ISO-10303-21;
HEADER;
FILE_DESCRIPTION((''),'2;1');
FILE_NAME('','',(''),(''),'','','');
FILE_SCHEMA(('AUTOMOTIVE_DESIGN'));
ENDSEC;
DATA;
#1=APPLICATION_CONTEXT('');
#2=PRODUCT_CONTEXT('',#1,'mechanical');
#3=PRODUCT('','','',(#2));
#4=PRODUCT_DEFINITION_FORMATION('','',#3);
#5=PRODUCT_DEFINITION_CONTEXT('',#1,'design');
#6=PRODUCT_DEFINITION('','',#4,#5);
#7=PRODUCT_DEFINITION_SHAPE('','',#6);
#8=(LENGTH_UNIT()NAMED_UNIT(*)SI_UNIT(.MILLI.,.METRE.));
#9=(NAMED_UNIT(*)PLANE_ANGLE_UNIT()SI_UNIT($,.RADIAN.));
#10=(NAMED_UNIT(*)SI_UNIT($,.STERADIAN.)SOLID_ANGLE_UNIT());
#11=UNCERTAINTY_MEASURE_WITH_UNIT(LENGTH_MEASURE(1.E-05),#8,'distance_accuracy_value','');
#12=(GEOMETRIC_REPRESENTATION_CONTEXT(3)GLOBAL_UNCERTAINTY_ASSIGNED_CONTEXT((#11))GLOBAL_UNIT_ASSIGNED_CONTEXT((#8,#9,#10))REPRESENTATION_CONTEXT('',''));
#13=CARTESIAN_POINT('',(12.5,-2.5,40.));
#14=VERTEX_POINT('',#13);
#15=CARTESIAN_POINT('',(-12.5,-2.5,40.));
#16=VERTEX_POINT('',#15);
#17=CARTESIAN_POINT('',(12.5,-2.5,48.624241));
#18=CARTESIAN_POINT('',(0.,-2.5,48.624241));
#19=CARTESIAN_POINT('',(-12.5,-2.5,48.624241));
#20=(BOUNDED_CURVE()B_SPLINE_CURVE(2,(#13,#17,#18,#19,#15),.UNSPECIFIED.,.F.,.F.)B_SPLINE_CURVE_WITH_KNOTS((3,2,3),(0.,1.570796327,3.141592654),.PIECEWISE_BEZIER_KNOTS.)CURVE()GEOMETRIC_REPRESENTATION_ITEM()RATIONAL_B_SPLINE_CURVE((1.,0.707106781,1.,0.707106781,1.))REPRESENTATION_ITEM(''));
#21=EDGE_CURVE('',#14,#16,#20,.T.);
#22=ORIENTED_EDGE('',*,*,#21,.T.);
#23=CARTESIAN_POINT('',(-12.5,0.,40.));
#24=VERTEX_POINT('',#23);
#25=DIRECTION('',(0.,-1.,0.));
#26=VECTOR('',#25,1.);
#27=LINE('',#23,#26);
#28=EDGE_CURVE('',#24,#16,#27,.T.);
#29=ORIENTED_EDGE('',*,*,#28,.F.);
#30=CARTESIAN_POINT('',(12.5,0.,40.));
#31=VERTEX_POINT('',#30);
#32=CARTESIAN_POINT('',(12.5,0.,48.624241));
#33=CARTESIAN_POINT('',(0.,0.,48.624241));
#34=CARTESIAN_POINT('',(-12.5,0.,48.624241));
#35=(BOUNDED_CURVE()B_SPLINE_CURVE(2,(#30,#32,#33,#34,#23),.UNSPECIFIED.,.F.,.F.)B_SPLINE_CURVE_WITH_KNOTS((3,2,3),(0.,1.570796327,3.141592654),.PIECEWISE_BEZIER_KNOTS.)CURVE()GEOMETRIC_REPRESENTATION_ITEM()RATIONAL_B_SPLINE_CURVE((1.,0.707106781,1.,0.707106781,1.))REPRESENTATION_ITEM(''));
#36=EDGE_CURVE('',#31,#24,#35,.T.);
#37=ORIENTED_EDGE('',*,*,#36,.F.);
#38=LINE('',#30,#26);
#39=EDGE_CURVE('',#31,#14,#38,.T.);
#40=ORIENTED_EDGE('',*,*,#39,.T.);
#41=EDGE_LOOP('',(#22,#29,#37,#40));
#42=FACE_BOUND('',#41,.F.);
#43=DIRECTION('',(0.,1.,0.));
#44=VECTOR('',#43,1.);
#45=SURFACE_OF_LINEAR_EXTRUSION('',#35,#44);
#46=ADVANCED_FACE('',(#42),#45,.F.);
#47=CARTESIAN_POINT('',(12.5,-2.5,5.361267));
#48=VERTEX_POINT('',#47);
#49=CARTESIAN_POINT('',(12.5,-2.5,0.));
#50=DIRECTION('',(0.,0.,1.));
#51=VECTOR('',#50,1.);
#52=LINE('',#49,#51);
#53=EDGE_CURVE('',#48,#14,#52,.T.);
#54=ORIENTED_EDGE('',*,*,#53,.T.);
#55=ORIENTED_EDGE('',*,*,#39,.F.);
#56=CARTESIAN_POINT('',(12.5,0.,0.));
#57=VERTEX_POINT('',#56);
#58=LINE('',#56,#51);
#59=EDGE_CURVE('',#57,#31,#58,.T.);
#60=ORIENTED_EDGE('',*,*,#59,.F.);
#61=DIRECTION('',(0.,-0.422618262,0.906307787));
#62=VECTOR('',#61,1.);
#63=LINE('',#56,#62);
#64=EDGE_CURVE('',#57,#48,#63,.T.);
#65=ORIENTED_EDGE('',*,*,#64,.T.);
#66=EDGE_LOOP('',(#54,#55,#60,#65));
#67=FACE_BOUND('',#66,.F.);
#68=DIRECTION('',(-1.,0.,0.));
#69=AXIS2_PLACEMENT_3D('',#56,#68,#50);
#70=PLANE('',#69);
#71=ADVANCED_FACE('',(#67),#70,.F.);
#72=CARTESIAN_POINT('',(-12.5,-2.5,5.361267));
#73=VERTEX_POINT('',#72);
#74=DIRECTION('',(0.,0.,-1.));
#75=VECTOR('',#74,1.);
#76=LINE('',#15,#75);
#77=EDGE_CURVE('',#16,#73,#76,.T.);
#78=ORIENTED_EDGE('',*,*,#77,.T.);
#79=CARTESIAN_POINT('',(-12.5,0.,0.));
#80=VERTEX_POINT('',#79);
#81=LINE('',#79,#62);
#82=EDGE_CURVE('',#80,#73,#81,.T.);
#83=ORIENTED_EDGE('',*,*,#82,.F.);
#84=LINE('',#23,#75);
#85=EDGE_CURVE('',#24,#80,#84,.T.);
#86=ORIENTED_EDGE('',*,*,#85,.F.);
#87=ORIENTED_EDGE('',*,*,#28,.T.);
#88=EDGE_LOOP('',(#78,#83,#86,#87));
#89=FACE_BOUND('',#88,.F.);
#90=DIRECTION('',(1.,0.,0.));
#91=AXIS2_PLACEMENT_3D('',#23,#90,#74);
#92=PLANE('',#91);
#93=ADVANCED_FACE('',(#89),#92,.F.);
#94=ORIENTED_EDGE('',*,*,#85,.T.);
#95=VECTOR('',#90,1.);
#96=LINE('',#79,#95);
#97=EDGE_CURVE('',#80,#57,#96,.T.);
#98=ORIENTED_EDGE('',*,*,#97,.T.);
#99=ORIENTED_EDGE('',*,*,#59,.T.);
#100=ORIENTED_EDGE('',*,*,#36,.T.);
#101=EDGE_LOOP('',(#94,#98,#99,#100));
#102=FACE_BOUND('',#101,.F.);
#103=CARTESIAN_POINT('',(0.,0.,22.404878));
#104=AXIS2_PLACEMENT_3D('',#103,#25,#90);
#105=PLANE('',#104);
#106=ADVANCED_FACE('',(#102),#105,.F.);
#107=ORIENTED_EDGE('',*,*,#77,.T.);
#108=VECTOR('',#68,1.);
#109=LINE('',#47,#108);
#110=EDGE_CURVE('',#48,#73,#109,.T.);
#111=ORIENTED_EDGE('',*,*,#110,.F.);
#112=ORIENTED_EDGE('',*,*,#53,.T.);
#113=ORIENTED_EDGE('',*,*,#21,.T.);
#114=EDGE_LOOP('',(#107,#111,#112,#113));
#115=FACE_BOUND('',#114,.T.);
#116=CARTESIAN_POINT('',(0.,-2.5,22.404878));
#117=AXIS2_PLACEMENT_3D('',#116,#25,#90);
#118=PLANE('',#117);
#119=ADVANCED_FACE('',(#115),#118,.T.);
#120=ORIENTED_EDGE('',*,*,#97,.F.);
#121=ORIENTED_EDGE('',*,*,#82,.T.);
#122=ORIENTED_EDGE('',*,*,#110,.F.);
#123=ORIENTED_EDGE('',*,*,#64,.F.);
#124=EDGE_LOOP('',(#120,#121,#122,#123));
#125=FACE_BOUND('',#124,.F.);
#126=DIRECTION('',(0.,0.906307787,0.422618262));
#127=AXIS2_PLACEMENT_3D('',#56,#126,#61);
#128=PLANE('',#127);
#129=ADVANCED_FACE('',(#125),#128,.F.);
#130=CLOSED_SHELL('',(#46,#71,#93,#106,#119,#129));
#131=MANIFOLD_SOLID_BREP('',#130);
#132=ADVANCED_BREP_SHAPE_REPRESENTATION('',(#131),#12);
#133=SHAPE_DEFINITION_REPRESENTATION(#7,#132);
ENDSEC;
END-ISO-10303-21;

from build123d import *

# Parameters (mm, degrees)
F1_DEPTH = 2.5
F3_DEPTH = 25


with BuildPart() as f1:
    # F0 (on Front) → F1 (new body)
    with BuildSketch(Plane.XZ):
        with BuildLine():
            Line((-12.5, 40), (-12.5, 0))
            Line((-12.5, 0), (12.5, 0))
            Line((12.5, 0), (12.5, 40))
            add(Edge.make_bspline(
                [(12.5, 40), (12.5, 48.6242408661), (0, 48.6242408661), (-12.5, 48.6242408661), (-12.5, 40)],
                knots=[0, 0, 0, 1.5707963268, 1.5707963268, 3.1415926536, 3.1415926536, 3.1415926536], degree=2, weights=[1, 0.7071067812, 1, 0.7071067812, 1]))
        make_face()
    extrude(amount=F1_DEPTH)

    # F2 (on face) → F3 (cut)
    with BuildSketch(Plane.YZ.offset(12.5)):
        Polygon((-2.5, 0), (0, 0), (-2.5, 5.3612673013), align=None)
    extrude(amount=-F3_DEPTH, mode=Mode.SUBTRACT)


solid = f1.part
